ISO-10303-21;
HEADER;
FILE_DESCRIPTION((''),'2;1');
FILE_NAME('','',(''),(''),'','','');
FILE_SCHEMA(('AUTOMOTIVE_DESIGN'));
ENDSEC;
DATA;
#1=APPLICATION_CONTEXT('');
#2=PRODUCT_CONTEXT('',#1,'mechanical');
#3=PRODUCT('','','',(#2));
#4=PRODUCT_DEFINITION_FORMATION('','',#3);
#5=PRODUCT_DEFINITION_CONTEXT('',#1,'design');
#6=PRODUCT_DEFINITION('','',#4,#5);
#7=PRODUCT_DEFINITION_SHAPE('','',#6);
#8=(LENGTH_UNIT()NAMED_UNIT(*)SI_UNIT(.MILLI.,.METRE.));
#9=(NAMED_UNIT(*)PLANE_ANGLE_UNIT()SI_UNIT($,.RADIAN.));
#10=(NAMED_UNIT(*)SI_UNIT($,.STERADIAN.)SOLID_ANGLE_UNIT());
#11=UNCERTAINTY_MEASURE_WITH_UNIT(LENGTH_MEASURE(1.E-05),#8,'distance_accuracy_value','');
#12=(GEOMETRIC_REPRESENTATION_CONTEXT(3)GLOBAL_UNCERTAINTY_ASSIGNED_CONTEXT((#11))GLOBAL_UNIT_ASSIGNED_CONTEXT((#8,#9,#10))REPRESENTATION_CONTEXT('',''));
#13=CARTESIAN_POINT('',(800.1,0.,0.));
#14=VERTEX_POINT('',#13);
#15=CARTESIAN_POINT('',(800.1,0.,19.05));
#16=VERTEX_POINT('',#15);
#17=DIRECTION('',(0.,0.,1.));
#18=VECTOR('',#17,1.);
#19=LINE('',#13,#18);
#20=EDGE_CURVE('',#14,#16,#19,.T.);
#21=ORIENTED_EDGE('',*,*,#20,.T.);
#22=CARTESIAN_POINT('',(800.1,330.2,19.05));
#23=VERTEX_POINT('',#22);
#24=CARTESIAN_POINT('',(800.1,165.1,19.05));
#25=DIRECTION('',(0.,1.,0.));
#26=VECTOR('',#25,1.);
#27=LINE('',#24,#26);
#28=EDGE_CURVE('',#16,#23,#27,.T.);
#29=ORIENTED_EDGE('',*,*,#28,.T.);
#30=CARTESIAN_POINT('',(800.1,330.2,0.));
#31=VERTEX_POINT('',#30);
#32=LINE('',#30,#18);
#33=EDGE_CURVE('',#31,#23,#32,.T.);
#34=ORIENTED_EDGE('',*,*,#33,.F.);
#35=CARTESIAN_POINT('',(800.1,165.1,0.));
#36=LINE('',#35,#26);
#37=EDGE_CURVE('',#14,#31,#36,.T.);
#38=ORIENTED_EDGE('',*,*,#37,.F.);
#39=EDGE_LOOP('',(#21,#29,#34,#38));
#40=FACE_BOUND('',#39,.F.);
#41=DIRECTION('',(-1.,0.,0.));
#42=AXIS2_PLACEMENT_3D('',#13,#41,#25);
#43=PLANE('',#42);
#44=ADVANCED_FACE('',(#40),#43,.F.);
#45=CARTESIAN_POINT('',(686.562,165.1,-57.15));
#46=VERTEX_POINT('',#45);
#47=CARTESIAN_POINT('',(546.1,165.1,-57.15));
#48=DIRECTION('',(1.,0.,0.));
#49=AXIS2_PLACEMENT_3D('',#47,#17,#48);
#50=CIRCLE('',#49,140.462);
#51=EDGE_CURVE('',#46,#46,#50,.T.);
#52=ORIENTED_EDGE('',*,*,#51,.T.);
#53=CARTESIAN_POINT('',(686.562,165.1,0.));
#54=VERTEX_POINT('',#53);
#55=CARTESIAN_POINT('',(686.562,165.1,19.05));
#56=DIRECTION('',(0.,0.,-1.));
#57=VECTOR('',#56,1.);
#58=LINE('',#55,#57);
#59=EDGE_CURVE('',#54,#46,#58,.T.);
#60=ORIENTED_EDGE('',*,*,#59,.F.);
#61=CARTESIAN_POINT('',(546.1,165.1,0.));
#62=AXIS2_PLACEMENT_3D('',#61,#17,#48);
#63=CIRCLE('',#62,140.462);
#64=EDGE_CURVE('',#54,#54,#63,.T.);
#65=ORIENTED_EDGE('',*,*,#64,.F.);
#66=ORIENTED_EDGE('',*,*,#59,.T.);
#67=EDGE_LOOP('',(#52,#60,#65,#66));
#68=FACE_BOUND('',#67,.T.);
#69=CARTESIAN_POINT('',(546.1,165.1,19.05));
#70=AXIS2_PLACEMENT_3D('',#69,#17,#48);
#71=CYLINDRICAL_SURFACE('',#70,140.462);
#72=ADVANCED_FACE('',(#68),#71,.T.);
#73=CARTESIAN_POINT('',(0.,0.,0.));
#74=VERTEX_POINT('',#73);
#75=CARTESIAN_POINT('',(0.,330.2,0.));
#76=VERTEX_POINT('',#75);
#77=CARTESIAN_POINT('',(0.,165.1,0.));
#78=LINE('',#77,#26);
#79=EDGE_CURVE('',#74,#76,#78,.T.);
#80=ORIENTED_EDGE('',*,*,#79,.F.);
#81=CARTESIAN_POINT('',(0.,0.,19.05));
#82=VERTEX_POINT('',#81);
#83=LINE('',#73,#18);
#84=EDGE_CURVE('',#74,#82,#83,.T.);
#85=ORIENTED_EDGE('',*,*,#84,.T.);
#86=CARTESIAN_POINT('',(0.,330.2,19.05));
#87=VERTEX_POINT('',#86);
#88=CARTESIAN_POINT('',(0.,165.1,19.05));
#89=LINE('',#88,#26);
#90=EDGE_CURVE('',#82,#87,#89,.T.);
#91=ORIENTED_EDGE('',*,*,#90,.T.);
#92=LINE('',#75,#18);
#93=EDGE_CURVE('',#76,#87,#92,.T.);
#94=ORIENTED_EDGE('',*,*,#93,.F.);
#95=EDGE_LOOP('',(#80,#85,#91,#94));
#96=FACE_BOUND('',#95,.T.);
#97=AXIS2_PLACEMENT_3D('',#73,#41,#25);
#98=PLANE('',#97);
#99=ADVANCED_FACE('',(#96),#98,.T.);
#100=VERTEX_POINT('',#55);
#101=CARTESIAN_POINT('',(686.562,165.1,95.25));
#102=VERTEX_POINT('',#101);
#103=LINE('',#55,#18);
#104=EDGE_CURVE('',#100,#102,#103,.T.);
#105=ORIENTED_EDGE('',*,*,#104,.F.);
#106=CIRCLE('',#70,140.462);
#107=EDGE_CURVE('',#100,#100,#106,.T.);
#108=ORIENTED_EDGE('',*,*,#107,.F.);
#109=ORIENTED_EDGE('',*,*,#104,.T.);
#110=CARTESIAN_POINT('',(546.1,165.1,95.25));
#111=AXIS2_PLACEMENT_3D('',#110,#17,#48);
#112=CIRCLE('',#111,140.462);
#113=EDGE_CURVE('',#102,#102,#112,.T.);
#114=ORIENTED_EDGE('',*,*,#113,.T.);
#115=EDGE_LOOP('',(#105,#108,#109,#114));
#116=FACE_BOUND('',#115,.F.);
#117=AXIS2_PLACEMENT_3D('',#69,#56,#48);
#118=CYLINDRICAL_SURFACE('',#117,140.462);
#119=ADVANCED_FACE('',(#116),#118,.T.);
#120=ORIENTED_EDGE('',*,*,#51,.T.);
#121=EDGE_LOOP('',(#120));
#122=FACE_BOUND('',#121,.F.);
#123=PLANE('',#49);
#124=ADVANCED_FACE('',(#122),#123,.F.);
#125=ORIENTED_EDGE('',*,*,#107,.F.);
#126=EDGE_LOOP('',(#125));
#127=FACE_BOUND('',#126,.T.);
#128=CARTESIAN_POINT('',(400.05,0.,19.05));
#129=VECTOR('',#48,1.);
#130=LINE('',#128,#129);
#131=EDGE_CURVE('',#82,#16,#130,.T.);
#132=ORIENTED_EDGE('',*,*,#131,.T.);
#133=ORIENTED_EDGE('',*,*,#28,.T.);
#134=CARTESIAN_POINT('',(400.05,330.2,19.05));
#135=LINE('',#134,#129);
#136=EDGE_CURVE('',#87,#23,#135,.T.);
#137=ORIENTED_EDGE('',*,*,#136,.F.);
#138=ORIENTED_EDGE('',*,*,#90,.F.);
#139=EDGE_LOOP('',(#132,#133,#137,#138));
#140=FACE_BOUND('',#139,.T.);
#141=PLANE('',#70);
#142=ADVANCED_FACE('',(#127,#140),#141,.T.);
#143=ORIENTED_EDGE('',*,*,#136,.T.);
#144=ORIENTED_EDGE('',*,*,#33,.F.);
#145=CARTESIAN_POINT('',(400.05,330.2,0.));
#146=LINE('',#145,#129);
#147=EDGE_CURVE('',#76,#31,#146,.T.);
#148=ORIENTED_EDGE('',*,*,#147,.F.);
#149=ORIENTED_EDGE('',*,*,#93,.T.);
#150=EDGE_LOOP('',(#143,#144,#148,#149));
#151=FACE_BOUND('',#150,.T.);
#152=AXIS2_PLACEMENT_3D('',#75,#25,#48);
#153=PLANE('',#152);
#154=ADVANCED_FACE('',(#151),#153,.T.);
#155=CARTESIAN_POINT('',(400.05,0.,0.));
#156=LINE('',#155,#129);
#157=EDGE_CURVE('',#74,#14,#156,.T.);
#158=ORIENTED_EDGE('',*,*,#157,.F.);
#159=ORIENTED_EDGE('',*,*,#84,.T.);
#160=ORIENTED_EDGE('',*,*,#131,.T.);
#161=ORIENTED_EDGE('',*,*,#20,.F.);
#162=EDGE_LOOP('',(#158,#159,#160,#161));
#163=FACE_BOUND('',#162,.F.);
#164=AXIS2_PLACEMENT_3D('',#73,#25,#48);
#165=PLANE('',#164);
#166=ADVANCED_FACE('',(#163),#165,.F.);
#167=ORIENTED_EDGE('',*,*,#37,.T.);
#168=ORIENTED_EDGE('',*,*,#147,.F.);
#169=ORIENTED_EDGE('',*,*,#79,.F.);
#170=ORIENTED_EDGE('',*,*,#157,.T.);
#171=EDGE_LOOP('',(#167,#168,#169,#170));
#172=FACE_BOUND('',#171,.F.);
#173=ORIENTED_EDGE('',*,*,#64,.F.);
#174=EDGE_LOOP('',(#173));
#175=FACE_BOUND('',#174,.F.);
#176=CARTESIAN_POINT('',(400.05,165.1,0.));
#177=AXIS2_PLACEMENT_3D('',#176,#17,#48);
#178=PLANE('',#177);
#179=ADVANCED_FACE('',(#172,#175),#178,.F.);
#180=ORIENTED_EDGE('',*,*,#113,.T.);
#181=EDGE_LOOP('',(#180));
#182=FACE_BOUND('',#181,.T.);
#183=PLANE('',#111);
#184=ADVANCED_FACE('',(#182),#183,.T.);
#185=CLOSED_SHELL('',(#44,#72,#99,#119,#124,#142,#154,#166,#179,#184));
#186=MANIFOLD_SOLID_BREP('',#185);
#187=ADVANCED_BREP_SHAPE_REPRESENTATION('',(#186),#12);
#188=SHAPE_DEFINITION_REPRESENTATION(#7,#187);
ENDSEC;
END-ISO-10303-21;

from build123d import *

# Parameters (mm, degrees)
F0_W          = 800.1
F0_H          = 330.2
F1_DEPTH      = 19.05
F2_R          = 140.462
F3_DEPTH      = 76.2
F3_DEPTH_BACK = 76.2


with BuildPart() as f1:
    # F0 (on Top) → F1 (new body)
    with BuildSketch(Plane.XY):
        with Locations((400.05, 165.1)):
            Rectangle(F0_W, F0_H)
    extrude(amount=F1_DEPTH)

    # F2 (on face) → F3 (join, two sides)
    with BuildSketch(Plane.XY.offset(19.05)) as f3_sk:
        with Locations((546.1, 165.1)):
            Circle(F2_R)
    extrude(amount=-F3_DEPTH)
    extrude(f3_sk.sketch, amount=F3_DEPTH_BACK)


solid = f1.part
